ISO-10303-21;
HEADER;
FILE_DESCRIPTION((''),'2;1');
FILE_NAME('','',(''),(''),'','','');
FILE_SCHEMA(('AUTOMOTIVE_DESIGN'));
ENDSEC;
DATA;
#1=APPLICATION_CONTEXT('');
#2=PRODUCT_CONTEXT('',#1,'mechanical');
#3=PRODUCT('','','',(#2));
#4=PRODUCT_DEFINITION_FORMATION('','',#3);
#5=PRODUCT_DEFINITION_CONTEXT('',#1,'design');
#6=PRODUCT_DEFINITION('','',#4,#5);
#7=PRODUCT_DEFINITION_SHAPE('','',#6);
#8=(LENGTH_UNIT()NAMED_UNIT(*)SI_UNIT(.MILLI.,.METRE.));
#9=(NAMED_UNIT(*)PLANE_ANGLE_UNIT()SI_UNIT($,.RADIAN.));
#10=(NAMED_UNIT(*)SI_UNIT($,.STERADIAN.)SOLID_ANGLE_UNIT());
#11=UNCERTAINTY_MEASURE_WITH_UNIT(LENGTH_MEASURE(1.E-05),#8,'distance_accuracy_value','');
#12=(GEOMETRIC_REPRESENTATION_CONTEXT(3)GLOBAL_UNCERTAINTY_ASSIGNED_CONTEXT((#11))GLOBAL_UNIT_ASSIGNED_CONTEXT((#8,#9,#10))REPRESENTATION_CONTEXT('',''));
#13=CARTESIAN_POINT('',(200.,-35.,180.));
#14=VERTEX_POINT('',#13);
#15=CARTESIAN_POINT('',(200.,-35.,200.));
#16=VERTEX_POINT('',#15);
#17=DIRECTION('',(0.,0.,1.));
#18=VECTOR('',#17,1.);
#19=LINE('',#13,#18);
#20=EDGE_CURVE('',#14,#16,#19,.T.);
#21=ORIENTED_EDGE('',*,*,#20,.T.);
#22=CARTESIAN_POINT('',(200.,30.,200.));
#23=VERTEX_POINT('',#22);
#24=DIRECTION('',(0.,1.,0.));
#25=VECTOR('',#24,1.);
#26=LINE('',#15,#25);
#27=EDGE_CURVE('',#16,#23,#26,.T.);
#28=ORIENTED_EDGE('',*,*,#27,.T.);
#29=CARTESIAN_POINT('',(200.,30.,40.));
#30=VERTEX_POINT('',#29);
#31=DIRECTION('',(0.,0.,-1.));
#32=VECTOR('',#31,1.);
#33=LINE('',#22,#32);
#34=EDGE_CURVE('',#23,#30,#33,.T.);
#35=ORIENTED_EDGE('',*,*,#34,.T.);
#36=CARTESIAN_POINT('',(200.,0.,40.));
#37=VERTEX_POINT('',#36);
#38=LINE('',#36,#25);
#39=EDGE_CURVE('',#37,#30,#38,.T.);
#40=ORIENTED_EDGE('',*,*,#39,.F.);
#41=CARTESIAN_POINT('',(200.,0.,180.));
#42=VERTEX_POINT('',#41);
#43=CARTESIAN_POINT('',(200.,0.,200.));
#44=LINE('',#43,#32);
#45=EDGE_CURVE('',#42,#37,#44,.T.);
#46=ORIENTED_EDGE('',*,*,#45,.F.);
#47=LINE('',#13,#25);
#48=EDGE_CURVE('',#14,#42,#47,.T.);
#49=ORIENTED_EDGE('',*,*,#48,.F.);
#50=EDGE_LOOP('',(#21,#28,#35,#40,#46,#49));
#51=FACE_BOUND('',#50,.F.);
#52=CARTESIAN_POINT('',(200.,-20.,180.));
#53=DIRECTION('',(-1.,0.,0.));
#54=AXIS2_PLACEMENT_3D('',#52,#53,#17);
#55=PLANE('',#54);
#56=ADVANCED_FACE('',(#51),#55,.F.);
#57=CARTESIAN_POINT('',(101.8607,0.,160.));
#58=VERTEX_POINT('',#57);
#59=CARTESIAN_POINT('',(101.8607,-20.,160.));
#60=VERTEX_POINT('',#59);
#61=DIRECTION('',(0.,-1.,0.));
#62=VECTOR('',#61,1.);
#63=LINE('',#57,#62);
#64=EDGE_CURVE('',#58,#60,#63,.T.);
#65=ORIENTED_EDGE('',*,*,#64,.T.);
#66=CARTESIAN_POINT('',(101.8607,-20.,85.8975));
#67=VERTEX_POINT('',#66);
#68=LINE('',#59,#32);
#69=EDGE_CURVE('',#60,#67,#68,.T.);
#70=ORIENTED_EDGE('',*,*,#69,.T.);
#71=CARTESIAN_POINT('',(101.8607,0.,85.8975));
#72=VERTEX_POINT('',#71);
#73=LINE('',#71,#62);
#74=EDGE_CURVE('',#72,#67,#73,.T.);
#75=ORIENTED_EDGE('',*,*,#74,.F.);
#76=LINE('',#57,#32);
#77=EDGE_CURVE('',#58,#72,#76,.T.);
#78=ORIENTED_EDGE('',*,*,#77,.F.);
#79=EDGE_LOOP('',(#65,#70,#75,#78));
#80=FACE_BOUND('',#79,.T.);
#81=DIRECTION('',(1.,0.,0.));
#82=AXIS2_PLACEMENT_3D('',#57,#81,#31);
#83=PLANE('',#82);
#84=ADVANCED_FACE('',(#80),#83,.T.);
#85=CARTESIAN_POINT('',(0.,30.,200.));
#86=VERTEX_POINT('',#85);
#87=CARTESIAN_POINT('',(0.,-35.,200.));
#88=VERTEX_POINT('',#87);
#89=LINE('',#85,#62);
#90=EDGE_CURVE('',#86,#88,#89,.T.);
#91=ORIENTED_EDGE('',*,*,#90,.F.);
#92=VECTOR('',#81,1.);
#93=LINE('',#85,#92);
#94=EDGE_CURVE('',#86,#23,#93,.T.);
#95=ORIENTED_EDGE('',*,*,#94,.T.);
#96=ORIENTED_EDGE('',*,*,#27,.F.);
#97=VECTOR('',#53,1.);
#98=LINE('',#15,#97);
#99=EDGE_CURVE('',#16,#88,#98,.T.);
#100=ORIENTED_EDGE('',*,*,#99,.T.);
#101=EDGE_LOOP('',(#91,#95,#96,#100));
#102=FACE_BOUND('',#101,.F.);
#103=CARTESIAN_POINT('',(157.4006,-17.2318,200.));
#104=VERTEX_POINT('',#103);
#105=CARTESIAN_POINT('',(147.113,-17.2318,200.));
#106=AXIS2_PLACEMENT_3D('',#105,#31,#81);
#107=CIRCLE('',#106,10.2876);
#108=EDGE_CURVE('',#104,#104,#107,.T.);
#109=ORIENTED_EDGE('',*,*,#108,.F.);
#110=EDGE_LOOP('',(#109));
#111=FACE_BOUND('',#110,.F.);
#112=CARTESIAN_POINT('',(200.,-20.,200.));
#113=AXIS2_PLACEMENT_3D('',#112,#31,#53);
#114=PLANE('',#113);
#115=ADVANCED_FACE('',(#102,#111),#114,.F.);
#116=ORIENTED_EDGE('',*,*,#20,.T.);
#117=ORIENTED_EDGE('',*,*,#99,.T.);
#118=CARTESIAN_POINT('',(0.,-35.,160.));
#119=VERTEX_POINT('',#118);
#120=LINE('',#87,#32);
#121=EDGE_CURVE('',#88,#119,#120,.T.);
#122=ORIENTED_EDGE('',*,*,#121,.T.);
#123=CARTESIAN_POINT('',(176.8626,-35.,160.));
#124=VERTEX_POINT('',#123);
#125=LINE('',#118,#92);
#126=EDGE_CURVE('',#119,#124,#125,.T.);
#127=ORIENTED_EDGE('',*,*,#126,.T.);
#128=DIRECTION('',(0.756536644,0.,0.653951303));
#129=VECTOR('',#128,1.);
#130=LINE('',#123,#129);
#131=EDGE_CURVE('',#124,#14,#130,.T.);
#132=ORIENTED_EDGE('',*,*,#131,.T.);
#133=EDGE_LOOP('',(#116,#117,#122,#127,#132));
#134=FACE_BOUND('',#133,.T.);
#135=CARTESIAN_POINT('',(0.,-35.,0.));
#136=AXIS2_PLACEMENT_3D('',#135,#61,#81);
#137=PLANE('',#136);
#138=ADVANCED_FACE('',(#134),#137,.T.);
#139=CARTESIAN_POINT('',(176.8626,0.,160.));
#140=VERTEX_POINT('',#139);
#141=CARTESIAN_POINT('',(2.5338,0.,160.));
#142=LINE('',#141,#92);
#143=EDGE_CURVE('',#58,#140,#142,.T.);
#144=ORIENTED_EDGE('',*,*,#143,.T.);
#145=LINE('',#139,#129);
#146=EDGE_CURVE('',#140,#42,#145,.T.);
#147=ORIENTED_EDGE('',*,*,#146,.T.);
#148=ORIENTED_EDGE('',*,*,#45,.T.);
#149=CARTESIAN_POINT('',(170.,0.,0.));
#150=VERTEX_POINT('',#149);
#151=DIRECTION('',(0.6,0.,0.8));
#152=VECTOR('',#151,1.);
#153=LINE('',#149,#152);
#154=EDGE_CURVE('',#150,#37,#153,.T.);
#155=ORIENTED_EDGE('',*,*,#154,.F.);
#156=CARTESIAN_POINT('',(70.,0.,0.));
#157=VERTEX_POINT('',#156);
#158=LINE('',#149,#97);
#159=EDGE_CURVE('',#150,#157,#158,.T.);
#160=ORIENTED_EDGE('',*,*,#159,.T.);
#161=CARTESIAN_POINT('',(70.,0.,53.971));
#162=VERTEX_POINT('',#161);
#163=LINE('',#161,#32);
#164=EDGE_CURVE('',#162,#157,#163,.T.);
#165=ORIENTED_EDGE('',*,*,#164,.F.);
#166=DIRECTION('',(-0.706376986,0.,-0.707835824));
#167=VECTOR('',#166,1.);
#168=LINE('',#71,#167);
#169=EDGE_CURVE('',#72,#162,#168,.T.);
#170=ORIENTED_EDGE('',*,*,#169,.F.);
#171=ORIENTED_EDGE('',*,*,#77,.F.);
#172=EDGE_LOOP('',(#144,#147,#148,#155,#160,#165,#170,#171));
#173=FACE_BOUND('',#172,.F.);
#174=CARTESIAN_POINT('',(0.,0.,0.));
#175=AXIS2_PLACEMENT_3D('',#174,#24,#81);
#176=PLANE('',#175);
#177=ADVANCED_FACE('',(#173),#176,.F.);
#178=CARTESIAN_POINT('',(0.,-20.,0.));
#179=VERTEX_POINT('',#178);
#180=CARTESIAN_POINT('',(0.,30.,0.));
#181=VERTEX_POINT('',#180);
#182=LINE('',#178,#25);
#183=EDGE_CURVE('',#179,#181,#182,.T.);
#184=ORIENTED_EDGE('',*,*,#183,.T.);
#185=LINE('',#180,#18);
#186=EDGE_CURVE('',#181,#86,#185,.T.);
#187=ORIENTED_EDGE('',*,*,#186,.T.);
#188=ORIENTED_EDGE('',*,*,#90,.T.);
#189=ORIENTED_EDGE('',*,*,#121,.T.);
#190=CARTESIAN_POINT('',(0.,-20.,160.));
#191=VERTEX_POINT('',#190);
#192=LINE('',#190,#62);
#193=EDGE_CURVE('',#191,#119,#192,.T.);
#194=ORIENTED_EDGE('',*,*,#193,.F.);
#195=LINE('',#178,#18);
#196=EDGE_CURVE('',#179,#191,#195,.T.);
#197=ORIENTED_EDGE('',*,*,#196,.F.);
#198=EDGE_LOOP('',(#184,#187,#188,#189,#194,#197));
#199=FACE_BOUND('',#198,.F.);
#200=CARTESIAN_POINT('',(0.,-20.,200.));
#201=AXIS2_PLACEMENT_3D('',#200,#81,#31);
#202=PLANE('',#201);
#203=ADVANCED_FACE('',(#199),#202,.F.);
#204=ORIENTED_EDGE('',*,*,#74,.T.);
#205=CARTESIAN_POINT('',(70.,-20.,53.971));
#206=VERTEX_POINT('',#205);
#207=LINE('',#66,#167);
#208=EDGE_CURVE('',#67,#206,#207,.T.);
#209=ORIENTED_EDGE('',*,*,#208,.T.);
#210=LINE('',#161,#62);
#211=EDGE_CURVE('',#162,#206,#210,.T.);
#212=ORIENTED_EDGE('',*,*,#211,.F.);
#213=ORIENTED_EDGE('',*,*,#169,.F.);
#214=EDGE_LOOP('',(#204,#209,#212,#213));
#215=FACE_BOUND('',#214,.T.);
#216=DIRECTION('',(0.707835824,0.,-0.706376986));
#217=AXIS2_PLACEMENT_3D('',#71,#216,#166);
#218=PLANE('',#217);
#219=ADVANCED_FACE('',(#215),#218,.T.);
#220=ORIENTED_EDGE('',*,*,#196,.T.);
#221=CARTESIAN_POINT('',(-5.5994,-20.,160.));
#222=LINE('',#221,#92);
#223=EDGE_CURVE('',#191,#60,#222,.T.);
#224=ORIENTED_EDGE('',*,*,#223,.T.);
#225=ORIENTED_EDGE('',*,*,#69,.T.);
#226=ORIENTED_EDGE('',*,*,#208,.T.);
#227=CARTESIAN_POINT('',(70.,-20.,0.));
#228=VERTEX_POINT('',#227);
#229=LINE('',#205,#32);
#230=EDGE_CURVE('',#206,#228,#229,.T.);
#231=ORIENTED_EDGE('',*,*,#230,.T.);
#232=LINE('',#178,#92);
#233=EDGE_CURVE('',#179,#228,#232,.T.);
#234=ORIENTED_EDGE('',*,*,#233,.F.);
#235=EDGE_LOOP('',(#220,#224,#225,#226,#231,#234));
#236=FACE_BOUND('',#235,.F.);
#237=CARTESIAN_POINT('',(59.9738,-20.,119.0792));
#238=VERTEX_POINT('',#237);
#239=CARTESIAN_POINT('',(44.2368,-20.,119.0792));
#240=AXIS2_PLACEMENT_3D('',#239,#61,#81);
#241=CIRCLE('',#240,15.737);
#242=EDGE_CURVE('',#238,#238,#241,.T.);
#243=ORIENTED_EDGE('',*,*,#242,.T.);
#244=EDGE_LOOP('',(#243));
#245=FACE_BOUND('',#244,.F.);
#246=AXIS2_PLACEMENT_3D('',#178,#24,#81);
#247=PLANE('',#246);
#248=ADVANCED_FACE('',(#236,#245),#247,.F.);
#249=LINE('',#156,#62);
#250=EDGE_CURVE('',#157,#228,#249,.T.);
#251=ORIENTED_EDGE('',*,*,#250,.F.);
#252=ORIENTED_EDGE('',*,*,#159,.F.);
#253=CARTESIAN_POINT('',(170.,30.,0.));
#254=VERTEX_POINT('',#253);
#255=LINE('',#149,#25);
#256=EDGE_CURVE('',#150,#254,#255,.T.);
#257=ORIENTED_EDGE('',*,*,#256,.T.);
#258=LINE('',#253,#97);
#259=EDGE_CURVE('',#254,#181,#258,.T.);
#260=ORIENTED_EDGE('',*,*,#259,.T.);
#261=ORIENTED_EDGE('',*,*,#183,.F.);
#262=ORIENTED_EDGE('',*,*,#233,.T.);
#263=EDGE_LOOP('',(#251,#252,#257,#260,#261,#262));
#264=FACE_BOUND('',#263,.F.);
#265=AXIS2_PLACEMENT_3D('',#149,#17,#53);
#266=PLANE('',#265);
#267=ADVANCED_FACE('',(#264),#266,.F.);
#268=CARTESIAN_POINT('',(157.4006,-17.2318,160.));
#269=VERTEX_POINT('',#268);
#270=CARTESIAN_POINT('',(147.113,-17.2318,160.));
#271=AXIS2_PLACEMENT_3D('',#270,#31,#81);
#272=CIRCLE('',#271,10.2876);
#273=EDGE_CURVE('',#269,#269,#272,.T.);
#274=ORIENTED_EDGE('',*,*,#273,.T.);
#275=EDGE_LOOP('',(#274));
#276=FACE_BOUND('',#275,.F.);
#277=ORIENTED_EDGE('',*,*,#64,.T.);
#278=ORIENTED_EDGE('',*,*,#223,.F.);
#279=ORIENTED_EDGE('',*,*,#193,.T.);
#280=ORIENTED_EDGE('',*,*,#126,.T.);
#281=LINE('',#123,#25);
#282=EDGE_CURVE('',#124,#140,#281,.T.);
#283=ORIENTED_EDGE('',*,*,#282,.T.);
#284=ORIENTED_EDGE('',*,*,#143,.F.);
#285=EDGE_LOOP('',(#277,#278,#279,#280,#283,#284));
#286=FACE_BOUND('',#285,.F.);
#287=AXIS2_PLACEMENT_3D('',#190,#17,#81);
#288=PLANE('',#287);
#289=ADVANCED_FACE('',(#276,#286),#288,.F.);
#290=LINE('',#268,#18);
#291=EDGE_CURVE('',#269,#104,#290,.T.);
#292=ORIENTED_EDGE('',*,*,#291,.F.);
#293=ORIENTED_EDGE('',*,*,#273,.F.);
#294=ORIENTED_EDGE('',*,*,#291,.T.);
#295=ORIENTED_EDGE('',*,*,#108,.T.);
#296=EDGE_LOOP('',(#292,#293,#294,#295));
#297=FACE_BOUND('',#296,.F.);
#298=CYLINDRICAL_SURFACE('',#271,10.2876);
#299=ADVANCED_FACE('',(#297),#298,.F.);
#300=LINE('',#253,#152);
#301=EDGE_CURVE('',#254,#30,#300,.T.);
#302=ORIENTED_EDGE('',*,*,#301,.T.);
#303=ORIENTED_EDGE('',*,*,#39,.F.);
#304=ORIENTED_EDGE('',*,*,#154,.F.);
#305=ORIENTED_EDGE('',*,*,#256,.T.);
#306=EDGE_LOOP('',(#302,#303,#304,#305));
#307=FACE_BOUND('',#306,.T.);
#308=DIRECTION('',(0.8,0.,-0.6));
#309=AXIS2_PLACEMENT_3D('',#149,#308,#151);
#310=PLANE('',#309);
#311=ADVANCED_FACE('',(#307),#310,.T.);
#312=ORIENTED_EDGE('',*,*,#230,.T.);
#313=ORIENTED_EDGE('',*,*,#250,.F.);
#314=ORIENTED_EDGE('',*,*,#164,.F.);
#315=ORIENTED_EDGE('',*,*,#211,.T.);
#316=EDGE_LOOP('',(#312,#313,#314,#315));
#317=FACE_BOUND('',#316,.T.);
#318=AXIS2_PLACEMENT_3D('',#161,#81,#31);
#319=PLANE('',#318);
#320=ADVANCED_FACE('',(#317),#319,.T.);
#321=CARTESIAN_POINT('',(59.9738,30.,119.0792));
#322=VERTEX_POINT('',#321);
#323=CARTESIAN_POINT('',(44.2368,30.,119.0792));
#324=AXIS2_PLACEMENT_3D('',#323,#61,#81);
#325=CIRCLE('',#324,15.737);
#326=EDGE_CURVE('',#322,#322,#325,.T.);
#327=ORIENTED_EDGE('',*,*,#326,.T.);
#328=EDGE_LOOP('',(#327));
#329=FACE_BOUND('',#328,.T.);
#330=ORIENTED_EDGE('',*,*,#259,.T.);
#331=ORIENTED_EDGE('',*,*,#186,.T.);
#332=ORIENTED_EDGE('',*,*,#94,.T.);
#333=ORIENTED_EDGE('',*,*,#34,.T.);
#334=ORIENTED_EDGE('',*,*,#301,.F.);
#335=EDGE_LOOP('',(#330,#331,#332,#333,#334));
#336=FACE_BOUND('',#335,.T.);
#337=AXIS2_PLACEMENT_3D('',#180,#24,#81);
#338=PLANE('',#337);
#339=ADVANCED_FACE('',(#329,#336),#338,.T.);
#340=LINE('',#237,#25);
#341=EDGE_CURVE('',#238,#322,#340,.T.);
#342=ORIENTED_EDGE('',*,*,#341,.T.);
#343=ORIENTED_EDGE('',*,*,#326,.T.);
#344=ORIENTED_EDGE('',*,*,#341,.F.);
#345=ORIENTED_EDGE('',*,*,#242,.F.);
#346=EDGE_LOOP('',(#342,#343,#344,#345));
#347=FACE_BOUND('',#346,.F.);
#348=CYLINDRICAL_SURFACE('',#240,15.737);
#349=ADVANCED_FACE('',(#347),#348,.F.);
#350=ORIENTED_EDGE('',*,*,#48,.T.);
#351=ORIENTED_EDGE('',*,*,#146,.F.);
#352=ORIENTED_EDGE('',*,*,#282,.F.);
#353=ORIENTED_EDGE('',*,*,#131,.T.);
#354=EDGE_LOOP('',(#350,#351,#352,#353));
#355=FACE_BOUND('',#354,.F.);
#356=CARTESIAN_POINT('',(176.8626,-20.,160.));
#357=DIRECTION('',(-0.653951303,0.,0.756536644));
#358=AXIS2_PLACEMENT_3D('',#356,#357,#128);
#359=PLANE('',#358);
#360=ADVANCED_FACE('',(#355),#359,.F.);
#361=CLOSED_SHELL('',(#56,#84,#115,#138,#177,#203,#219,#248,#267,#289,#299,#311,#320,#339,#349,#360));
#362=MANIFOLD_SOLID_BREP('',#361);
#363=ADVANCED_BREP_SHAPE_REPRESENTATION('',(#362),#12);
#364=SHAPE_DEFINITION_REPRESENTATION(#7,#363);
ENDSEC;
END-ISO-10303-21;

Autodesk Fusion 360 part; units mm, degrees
sketch "Sketch1" plane through (0, 0, 0) normal (0, 1, 0) x (1, 0, 0)
  line L0 (0, 0) -> (0, -200)
  line L1 (0, -200) -> (200, -200)
  line L2 (200, -200) -> (200, -40)
  line L3 (170, 0) -> (0, 0)
  line L4 (170, 0) -> (200, -40)
  line L5 (93.465, -147.4251) -> (198.1071, -147.4251)
  line L6 (93.465, -147.4251) -> (93.465, -145)
extrude "Extrude1" add sketch "Sketch1" along normal blind 30 makes body 1
sketch "Sketch2" plane through (0, 0, 0) normal (0, 1, 0) x (1, 0, 0)
  line L0 (0, -160) -> (197.6402, -160)
  line L1 (197.6402, -160) -> (200, -160)
  line L2 (101.8607, -160) -> (101.8607, -85.8975)
  line L3 (70, -53.971) -> (70, 0)
  line L4 (101.8607, -85.8975) -> (70, -53.971)
  line L5 (0, -160) -> (0, 0)
  line L6 (0, 0) -> (70, 0)
extrude "Extrude2" add sketch "Sketch2" against normal blind 20 separate body makes body 2
sketch "Sketch3" plane through (0, -20, 0) normal (0, -1, 0) x (1, 0, 0)
  line L0 (101.8607, 160) -> (0, 160)
  line L1 (0, 160) -> (0, 0)
  line L2 (0, 0) -> (70, 0)
  line L3 (70, 0) -> (70, 53.971)
  line L4 (70, 53.971) -> (101.8607, 85.8975)
  line L5 (101.8607, 85.8975) -> (101.8607, 160)
  line L6 (2.5338, 160) -> (176.8626, 160)
  line L7 (200, 160) -> (200, 200)
  line L8 (200, 200) -> (0, 200)
  line L9 (0, 200) -> (0, 160)
  line L10 (176.8626, 160) -> (200, 180)
extrude "Extrude3" add sketch "Sketch3" against normal blind 20 contours L0 L6 L7 L8 L9 L10 bodies 1 2
sketch "Sketch4" plane through (0, -20, 0) normal (0, -1, 0) x (1, 0, 0)
  line L0 (0, 200) -> (0, 0)
  line L1 (0, 0) -> (70, 0)
  line L2 (70, 0) -> (70, 53.971)
  line L3 (70, 53.971) -> (101.8607, 85.8975)
  line L4 (101.8607, 85.8975) -> (101.8607, 160)
  line L5 (101.8607, 160) -> (176.8626, 160)
  line L6 (176.8626, 160) -> (200, 180)
  line L7 (200, 180) -> (200, 200)
  line L8 (200, 200) -> (0, 200)
  line L9 (-5.5994, 160) -> (173.5818, 160)
  line L10 (200, 180) -> (200, 200)
  line L11 (0, 200) -> (0, 160)
extrude "Extrude4" add sketch "Sketch4" along normal blind 15 contours L0 L5 L6 L7 L8 L9 L10 L11 bodies 1
sketch "Sketch5" plane through (0, -20, 0) normal (0, -1, 0) x (1, 0, 0)
  line L0 (101.8607, 160) -> (0, 160)
  line L1 (0, 160) -> (0, 0)
  line L2 (0, 0) -> (70, 0)
  line L3 (70, 0) -> (70, 53.971)
  line L4 (70, 53.971) -> (101.8607, 85.8975)
  line L5 (101.8607, 85.8975) -> (101.8607, 160)
  circle A0 centre (44.2368, 119.0792) radius 15.737
extrude "Extrude5" cut sketch "Sketch5" against normal blind 60 contours A0 bodies 1
sketch "Sketch6" plane through (0, 0, 160) normal (0, 0, -1) x (1, 0, 0)
  line L0 (101.8607, 20) -> (101.8607, 0)
  line L1 (101.8607, 0) -> (176.8626, 0)
  line L2 (176.8626, 0) -> (176.8626, 35)
  line L3 (176.8626, 35) -> (0, 35)
  line L4 (0, 35) -> (0, 20)
  line L5 (0, 20) -> (101.8607, 20)
  circle A0 centre (147.113, 17.2318) radius 10.2876
extrude "Extrude6" cut sketch "Sketch6" against normal blind 40 contours A0 bodies 1
